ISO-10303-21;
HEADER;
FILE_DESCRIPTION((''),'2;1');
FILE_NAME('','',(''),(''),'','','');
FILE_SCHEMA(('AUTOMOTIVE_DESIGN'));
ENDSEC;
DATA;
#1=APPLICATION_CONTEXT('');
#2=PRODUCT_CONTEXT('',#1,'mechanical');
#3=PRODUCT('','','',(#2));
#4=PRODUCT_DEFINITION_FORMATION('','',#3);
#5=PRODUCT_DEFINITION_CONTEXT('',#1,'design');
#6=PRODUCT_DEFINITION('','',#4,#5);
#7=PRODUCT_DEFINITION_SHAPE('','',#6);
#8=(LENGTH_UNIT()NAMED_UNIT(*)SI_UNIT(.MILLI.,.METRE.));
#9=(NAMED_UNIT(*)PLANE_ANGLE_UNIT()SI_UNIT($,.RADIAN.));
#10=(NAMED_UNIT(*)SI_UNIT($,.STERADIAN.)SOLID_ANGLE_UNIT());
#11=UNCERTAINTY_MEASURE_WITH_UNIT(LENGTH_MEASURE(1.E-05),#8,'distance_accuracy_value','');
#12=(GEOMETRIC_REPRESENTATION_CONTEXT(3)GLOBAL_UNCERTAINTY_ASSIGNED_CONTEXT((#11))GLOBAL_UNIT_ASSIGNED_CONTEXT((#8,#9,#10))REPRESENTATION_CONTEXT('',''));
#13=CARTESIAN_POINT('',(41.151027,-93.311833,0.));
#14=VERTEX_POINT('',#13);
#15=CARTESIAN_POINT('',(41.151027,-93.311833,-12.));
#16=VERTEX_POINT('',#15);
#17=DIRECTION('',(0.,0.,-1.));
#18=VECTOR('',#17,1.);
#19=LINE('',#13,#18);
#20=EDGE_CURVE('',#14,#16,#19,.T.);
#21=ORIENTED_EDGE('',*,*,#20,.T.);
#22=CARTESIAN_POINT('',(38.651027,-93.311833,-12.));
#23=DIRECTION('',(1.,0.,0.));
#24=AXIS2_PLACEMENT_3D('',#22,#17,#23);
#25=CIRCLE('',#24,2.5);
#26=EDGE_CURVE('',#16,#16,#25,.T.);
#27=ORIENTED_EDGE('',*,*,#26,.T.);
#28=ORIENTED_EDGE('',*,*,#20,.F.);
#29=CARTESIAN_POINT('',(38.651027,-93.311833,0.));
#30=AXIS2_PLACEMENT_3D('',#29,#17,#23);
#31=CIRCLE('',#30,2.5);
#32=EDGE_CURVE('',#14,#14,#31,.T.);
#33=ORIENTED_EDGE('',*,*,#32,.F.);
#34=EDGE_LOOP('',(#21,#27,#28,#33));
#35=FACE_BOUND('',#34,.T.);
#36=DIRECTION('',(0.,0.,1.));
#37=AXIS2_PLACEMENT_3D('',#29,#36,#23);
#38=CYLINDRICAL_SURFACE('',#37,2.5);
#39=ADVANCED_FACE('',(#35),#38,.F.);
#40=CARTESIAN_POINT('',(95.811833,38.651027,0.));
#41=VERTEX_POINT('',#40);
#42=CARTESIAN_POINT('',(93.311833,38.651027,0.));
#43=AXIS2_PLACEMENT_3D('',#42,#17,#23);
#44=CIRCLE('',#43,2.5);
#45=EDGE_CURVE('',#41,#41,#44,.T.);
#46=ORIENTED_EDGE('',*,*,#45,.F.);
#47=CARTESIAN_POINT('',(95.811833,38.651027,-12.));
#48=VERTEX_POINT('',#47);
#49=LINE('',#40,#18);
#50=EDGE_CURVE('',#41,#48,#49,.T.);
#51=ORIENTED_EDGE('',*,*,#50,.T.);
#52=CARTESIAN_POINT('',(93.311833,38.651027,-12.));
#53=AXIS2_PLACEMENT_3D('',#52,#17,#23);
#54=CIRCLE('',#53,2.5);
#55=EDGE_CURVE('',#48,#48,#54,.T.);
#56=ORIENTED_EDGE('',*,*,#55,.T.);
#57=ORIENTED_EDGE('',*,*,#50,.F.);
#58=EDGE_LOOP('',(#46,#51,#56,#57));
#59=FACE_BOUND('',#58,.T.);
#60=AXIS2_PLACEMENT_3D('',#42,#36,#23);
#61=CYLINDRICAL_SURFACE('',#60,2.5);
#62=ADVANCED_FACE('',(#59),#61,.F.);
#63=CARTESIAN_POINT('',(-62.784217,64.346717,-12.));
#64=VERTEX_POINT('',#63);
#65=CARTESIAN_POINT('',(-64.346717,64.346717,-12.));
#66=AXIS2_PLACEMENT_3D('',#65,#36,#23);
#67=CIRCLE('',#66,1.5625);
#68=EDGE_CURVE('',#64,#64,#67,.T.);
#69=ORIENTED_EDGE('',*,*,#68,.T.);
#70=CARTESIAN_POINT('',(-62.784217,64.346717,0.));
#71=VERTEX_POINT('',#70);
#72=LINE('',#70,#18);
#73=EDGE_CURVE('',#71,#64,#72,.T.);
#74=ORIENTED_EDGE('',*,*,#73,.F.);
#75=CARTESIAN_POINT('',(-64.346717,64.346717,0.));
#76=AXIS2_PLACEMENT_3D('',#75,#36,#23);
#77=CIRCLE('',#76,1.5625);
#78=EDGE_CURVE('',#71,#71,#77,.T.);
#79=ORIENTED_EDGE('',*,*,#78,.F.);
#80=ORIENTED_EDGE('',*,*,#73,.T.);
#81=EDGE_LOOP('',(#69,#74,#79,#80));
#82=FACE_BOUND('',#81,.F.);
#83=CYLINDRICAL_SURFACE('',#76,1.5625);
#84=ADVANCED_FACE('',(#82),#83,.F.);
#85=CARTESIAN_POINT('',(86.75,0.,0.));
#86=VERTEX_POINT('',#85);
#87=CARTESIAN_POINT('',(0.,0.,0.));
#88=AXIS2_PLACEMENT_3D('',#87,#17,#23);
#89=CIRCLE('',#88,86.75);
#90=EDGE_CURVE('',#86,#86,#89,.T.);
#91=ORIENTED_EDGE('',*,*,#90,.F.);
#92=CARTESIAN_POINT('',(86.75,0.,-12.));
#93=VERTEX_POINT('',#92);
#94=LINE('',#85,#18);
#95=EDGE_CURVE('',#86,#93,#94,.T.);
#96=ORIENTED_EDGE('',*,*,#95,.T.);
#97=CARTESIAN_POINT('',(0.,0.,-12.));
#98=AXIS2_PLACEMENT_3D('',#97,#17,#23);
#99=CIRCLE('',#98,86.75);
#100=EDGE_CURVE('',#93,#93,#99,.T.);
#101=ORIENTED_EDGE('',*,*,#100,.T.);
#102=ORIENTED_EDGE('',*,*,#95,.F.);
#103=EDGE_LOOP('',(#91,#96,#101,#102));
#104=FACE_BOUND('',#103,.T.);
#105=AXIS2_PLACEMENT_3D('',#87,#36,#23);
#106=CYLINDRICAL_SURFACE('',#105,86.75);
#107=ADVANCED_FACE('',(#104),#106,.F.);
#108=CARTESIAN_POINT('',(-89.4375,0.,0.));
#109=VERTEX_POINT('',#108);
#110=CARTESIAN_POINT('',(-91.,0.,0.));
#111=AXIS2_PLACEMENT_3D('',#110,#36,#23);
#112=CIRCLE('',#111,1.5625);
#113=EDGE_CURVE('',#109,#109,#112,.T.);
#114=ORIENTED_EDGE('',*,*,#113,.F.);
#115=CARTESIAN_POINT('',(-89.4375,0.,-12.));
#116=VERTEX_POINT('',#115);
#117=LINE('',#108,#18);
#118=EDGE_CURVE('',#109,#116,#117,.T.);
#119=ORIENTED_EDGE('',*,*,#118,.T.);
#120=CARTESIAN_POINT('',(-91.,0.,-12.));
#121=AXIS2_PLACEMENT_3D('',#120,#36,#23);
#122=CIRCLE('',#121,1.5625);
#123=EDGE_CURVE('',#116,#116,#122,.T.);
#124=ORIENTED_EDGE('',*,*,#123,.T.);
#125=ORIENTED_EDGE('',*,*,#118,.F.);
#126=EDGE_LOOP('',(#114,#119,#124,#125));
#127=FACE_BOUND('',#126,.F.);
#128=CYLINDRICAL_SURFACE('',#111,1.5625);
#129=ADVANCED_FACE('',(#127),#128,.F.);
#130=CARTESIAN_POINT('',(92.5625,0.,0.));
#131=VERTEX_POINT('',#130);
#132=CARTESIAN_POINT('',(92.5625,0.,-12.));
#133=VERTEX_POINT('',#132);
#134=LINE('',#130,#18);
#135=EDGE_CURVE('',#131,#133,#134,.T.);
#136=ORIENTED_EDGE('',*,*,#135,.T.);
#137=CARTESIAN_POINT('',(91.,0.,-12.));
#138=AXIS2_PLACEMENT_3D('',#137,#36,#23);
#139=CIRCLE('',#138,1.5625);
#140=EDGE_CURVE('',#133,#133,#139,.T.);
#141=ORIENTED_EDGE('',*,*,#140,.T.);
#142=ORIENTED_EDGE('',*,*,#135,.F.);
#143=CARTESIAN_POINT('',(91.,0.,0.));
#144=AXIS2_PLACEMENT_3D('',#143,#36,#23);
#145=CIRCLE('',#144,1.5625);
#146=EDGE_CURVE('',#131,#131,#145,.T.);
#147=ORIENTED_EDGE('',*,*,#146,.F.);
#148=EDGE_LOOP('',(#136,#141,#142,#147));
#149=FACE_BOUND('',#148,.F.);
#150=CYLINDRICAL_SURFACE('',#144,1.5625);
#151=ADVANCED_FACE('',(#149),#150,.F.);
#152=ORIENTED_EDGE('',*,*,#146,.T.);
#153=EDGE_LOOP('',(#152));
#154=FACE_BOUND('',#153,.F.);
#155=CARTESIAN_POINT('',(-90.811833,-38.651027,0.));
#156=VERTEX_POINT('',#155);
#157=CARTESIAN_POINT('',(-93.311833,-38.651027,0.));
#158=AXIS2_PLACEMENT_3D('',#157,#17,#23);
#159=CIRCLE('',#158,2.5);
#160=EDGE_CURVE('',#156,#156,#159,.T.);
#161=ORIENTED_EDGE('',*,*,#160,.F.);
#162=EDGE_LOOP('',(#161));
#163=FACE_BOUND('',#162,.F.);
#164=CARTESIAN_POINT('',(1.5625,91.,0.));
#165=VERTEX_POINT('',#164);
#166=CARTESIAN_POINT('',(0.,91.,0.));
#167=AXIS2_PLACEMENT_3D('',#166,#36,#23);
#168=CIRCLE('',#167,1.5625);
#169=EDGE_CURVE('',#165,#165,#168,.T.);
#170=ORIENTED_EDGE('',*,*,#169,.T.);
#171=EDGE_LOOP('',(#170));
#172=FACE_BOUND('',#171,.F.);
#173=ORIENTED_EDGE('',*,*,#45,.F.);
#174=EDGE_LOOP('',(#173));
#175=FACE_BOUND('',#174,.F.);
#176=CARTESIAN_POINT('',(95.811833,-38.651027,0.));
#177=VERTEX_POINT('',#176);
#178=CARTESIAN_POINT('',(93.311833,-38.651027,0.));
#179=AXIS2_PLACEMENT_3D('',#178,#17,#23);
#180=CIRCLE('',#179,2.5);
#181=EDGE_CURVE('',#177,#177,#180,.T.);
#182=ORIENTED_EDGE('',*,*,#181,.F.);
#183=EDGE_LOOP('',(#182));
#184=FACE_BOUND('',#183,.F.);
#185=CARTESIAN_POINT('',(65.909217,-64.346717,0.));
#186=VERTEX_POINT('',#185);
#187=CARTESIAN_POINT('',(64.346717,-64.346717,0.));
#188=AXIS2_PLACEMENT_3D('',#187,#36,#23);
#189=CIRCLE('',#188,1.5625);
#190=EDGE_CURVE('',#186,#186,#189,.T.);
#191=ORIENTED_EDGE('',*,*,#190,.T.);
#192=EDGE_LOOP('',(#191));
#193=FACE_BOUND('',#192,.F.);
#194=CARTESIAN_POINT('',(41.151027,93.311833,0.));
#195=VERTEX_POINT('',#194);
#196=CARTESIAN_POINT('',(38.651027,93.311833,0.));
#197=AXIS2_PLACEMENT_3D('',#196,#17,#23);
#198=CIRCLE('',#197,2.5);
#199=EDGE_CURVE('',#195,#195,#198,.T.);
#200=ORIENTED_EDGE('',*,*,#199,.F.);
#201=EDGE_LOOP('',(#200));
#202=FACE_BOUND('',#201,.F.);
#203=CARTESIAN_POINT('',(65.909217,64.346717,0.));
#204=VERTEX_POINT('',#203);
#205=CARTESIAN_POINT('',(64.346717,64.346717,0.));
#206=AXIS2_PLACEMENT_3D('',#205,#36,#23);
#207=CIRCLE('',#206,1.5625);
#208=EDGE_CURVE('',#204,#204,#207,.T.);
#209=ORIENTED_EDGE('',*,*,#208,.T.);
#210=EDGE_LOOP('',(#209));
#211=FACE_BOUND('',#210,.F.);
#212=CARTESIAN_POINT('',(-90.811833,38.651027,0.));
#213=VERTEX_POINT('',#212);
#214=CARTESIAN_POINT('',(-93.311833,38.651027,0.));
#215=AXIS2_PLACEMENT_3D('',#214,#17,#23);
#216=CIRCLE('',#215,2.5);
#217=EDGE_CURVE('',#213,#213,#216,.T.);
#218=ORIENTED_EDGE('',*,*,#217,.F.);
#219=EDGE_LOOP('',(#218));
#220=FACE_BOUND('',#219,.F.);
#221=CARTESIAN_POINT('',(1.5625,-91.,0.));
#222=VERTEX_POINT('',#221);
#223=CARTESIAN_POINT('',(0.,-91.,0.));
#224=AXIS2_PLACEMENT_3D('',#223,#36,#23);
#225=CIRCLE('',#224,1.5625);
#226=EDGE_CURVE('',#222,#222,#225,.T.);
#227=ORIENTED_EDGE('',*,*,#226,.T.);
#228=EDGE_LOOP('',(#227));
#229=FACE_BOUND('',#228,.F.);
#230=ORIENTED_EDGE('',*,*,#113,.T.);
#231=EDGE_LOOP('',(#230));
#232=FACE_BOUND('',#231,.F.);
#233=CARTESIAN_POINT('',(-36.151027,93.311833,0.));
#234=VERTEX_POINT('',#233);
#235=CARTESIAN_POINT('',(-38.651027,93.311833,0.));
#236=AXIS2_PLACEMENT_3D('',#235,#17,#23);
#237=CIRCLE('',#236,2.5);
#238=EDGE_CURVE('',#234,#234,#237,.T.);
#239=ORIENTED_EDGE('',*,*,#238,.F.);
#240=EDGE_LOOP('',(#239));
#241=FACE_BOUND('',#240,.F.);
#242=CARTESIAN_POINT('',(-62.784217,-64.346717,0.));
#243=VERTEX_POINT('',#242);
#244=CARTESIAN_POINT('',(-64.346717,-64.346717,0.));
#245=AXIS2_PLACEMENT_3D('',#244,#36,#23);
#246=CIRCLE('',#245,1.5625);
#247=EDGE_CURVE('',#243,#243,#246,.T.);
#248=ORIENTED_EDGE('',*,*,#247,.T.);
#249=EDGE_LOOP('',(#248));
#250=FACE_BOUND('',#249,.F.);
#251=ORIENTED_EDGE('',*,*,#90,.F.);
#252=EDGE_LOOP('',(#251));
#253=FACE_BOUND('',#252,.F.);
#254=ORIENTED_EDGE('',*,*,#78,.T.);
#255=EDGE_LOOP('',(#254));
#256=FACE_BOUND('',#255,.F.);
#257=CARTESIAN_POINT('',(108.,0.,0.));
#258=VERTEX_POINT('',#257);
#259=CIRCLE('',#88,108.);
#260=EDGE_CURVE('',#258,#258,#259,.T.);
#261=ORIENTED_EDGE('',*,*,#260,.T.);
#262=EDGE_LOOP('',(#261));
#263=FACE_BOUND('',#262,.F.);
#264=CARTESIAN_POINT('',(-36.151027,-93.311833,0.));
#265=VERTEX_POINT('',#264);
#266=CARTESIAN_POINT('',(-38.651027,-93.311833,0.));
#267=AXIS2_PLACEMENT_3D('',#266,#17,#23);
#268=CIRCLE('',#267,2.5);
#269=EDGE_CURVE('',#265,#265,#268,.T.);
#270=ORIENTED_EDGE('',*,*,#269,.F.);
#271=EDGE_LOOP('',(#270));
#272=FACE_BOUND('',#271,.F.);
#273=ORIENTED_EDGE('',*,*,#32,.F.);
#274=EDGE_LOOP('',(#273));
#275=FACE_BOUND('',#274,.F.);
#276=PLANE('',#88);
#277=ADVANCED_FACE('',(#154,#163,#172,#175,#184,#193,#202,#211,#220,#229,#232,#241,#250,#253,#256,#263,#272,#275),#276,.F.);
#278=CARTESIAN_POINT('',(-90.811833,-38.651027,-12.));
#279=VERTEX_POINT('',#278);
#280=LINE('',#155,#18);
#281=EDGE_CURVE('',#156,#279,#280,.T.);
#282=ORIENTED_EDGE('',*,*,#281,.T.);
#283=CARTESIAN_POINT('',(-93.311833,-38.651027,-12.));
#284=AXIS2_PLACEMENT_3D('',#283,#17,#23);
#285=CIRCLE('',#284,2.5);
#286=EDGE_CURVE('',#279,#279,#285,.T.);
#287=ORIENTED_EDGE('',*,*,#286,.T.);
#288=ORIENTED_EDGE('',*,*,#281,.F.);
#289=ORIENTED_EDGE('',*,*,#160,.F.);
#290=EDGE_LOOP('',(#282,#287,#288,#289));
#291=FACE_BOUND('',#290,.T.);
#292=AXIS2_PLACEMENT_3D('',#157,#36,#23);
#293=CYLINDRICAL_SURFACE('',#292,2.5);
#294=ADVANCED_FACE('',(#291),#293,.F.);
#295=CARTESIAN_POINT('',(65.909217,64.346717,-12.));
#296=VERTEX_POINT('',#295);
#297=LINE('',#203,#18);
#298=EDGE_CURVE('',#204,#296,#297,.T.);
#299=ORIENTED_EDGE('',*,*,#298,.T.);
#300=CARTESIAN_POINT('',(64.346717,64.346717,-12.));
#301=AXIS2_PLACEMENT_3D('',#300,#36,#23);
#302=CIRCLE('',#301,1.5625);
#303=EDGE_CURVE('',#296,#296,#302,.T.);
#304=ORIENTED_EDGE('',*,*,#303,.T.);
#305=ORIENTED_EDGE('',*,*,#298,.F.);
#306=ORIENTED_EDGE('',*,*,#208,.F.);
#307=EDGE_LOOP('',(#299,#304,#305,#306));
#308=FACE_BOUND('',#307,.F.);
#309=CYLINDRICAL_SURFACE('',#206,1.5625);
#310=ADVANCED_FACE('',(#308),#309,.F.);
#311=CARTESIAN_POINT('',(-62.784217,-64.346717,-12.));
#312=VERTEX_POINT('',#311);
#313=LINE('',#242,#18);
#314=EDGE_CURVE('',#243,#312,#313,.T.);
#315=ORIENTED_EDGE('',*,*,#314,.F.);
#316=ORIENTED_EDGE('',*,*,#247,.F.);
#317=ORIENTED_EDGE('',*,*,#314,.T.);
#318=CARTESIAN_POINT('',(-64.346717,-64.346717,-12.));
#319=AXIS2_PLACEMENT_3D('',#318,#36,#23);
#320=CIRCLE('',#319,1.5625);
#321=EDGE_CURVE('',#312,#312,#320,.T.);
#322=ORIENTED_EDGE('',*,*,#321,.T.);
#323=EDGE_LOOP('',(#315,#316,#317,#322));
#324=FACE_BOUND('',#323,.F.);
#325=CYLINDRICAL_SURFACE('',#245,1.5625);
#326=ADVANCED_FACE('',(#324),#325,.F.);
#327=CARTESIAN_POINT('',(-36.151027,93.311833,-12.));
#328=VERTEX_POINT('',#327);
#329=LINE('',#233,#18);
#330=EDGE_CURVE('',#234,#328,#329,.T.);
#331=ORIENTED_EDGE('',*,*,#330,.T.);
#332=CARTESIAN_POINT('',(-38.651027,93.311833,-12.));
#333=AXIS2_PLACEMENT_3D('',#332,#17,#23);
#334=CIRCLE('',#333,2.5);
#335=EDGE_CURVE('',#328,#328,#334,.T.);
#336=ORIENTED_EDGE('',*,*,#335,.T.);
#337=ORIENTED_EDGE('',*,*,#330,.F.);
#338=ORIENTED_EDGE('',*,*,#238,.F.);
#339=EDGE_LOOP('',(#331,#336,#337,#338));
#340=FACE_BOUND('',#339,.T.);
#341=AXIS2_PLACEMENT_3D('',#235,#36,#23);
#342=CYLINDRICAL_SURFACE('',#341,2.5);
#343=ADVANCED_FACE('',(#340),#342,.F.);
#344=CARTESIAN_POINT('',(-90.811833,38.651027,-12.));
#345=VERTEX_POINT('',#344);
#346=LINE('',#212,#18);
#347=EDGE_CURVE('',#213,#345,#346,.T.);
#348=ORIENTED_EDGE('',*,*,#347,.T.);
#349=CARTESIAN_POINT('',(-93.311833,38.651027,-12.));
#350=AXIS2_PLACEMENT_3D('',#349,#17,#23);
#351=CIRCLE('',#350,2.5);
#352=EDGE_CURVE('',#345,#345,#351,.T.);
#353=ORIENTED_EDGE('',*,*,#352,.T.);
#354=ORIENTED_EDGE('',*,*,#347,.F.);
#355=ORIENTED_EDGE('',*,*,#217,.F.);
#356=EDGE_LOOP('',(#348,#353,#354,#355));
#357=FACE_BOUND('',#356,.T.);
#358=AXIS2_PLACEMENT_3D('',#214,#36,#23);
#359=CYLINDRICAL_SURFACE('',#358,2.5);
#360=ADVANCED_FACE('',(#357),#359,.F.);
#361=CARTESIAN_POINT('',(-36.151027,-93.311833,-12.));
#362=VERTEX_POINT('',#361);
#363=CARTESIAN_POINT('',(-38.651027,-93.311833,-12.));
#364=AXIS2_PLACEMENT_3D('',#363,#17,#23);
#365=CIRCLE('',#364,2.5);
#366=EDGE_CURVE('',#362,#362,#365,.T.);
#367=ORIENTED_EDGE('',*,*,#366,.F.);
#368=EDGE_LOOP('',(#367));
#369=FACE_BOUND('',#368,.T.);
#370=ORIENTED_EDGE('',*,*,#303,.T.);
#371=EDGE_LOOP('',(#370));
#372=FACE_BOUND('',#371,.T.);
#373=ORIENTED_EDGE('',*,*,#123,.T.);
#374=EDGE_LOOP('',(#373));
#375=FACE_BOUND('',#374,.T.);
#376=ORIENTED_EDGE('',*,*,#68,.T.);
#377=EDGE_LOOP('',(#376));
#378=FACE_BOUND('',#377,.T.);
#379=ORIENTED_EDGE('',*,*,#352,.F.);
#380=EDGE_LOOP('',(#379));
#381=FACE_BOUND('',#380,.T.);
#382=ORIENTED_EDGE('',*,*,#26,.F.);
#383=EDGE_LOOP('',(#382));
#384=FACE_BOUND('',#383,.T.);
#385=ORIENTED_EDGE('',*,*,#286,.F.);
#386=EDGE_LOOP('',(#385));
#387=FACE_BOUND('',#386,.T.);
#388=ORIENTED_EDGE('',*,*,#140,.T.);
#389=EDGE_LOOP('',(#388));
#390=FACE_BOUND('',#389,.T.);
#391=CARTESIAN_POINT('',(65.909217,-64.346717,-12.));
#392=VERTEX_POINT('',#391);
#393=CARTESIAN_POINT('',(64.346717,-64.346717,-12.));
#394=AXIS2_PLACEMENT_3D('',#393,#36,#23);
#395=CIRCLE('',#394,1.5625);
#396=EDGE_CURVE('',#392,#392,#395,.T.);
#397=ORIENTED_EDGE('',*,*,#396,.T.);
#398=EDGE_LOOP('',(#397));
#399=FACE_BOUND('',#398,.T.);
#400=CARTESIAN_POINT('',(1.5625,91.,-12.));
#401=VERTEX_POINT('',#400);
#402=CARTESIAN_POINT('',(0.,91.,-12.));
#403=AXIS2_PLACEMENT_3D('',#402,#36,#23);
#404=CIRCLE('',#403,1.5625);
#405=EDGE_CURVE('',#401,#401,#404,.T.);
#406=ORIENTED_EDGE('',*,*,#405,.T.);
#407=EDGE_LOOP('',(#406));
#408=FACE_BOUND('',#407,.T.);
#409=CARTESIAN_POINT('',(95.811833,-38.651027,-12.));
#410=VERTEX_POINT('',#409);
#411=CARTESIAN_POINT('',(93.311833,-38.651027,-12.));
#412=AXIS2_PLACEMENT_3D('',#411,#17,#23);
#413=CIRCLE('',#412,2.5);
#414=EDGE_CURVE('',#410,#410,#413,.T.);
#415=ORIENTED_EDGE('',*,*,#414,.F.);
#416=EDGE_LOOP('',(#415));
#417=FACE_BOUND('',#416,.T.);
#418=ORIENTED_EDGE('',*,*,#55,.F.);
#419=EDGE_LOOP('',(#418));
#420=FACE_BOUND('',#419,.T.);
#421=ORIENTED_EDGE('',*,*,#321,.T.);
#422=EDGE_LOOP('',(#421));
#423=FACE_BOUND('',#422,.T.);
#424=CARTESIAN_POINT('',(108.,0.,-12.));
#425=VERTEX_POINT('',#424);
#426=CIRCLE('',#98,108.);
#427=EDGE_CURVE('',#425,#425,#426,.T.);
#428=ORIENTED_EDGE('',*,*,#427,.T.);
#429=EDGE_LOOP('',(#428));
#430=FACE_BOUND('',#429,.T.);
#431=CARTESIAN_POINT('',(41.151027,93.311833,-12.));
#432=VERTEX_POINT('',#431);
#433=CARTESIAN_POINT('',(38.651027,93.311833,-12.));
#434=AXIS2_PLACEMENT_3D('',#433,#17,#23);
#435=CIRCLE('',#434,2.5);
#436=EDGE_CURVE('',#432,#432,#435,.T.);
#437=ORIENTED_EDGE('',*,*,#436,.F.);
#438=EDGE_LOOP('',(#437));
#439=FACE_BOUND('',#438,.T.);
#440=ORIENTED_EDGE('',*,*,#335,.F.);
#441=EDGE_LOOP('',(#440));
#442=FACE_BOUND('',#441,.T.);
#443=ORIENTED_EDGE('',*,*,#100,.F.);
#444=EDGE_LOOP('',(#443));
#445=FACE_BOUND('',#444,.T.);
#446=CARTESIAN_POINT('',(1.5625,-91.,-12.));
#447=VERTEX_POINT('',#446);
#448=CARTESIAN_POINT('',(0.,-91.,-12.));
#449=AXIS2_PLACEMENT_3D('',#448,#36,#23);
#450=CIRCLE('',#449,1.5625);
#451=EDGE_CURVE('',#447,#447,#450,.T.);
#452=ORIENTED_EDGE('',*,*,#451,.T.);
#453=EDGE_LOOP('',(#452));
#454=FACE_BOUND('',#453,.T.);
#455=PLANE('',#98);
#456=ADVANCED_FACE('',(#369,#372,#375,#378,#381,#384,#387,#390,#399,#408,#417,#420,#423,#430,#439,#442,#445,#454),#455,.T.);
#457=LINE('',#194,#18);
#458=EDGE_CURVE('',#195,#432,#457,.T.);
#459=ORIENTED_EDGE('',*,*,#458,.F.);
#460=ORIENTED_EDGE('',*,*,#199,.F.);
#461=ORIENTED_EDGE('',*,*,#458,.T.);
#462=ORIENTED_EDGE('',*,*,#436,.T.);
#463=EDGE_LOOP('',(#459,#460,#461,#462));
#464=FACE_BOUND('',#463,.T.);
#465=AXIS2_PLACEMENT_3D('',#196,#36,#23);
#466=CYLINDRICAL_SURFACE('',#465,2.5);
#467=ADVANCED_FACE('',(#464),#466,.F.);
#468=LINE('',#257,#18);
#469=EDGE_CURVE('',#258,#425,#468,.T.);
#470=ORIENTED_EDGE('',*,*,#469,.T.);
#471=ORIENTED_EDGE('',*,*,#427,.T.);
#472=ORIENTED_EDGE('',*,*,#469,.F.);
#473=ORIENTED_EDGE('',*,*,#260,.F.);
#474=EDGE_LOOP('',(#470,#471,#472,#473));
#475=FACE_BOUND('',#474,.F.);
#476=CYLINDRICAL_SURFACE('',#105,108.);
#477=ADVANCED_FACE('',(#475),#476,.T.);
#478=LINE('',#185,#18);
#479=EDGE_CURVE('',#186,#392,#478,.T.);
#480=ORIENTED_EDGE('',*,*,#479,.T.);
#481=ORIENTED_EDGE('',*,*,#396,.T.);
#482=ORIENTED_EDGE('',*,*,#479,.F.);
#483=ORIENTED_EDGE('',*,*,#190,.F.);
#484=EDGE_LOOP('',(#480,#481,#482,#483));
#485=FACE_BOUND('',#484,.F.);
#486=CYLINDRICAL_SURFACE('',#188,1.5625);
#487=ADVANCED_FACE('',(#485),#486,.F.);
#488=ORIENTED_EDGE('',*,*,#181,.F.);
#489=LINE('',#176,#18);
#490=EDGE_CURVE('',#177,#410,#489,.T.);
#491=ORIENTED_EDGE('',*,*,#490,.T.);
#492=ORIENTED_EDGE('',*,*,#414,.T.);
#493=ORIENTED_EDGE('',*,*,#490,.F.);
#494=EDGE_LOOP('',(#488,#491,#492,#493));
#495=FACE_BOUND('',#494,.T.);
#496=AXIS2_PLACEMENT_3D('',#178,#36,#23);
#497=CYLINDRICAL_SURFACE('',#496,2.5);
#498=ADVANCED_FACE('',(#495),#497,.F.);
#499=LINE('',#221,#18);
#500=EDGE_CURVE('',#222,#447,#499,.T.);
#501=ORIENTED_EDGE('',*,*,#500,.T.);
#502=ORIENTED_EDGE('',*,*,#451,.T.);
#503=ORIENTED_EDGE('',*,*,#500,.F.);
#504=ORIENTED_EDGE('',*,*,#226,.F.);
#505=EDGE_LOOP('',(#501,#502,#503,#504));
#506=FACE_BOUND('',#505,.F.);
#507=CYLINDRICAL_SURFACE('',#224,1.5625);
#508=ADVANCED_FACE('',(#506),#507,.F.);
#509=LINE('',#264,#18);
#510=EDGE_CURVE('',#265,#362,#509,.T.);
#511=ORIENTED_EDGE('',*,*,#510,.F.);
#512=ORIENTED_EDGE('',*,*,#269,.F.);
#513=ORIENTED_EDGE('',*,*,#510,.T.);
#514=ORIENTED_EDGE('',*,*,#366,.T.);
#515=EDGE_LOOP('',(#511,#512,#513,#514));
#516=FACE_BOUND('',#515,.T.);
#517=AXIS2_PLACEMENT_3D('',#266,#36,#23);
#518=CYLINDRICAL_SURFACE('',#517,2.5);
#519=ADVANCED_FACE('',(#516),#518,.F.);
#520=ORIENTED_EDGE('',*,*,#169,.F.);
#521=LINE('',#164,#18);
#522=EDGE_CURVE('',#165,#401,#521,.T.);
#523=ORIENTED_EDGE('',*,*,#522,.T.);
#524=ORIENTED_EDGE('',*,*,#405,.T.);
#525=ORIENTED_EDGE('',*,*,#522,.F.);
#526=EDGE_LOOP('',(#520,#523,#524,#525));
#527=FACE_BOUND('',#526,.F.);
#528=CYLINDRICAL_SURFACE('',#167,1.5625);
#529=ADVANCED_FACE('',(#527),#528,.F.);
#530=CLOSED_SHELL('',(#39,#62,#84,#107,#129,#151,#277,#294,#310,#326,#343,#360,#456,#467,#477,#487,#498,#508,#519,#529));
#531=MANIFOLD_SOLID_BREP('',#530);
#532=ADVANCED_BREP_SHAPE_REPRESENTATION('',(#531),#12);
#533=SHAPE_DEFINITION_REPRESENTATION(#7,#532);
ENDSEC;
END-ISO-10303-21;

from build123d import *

# Parameters (mm, degrees)
SKETCH001_R       = 108
SKETCH001_R_2     = 86.75
SKETCH001_R_3     = 2.5
PAD_DEPTH         = 12
SKETCH_R          = 1.5625
POCKET_DEPTH      = 12.001
POCKET_DEPTH_BACK = 0.001


with BuildPart() as part:
    # Sketch001 → Pad (new body)
    with BuildSketch(Plane(origin=(0, 0, 0), x_dir=(1, 0, 0), z_dir=(0, 0, -1))):
        Circle(SKETCH001_R)
        Circle(SKETCH001_R_2, mode=Mode.SUBTRACT)
        with Locations((38.651027, 93.311833)):
            Circle(SKETCH001_R_3, mode=Mode.SUBTRACT)
        with Locations((93.311833, 38.651027)):
            Circle(SKETCH001_R_3, mode=Mode.SUBTRACT)
        with Locations((93.311833, -38.651027)):
            Circle(SKETCH001_R_3, mode=Mode.SUBTRACT)
        with Locations((38.651027, -93.311833)):
            Circle(SKETCH001_R_3, mode=Mode.SUBTRACT)
        with Locations((-38.651027, 93.311833)):
            Circle(SKETCH001_R_3, mode=Mode.SUBTRACT)
        with Locations((-93.311833, 38.651027)):
            Circle(SKETCH001_R_3, mode=Mode.SUBTRACT)
        with Locations((-93.311833, -38.651027)):
            Circle(SKETCH001_R_3, mode=Mode.SUBTRACT)
        with Locations((-38.651027, -93.311833)):
            Circle(SKETCH001_R_3, mode=Mode.SUBTRACT)
    extrude(amount=PAD_DEPTH)

    # Sketch → Pocket (cut, two sides)
    with BuildSketch(Plane.XY) as pocket_sk:
        with Locations((64.346717, 64.346717)):
            Circle(SKETCH_R)
        with Locations((0, 91)):
            Circle(SKETCH_R)
        with Locations((91, 0)):
            Circle(SKETCH_R)
        with Locations((64.346717, -64.346717)):
            Circle(SKETCH_R)
        with Locations((0, -91)):
            Circle(SKETCH_R)
        with Locations((-91, 0)):
            Circle(SKETCH_R)
        with Locations((-64.346717, -64.346717)):
            Circle(SKETCH_R)
        with Locations((-64.346717, 64.346717)):
            Circle(SKETCH_R)
    extrude(amount=-POCKET_DEPTH, mode=Mode.SUBTRACT)
    extrude(pocket_sk.sketch, amount=POCKET_DEPTH_BACK, mode=Mode.SUBTRACT)


solid = part.part
